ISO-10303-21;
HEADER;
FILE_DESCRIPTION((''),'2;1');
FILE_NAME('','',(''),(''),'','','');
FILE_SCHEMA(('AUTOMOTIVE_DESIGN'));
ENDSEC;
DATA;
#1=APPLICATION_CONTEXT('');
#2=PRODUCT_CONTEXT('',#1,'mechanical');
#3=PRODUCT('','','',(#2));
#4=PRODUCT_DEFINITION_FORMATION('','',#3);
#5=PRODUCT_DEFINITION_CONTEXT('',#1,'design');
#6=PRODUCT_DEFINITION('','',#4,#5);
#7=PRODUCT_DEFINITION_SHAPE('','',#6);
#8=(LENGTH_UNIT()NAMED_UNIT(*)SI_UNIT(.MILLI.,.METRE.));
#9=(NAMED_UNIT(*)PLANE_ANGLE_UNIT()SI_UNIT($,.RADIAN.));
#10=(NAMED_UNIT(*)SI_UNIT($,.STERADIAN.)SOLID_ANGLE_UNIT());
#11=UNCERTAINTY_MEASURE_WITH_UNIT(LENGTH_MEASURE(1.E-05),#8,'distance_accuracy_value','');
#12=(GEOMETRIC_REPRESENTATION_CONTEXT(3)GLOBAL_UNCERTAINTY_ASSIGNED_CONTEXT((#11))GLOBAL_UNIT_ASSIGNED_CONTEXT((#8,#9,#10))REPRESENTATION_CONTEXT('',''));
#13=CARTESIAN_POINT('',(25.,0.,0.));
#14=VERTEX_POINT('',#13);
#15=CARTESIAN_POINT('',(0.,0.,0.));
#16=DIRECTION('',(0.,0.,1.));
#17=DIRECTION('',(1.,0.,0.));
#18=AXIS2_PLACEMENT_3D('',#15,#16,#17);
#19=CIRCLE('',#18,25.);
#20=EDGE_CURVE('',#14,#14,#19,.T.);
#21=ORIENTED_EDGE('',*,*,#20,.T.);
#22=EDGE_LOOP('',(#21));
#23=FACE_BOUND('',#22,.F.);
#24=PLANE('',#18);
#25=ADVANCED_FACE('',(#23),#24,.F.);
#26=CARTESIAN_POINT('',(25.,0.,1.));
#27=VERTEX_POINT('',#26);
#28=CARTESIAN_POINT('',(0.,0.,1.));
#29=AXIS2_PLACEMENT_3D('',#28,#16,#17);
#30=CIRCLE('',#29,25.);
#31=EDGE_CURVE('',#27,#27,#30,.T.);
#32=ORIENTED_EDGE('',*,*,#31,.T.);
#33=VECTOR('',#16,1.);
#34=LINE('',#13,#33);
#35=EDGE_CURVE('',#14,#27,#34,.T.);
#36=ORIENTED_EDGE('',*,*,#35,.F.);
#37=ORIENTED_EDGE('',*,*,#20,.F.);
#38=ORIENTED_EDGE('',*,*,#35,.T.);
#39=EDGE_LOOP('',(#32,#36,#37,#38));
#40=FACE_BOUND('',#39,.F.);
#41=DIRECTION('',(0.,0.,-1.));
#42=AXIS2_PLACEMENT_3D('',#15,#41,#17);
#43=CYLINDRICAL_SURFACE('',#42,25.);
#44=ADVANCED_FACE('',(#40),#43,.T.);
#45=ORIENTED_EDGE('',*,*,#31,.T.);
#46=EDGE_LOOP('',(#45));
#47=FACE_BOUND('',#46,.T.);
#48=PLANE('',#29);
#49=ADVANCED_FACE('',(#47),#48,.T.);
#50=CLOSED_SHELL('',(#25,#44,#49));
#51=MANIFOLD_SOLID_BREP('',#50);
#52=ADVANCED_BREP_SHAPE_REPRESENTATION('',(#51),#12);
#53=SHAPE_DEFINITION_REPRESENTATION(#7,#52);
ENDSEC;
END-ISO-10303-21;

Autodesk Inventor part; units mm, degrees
ref_plane "YZ Plane" through (0, 0, 0) normal (1, 0, 0) x (0, 1, 0)
ref_plane "XZ Plane" through (0, 0, 0) normal (0, 1, 0) x (-1, 0, 0)
ref_plane "XY Plane" through (0, 0, 0) normal (0, 0, 1) x (1, 0, 0)
sketch "Sketch1" plane through (0, 0, 0) normal (0, 0, 1) x (1, 0, 0)
  circle A0 centre (0, 0) radius 25
  dimension "d0" = 50
extrude "Extrusion1" add sketch "Sketch1" along normal blind 1
properties part number "Filter" material "Glass"
